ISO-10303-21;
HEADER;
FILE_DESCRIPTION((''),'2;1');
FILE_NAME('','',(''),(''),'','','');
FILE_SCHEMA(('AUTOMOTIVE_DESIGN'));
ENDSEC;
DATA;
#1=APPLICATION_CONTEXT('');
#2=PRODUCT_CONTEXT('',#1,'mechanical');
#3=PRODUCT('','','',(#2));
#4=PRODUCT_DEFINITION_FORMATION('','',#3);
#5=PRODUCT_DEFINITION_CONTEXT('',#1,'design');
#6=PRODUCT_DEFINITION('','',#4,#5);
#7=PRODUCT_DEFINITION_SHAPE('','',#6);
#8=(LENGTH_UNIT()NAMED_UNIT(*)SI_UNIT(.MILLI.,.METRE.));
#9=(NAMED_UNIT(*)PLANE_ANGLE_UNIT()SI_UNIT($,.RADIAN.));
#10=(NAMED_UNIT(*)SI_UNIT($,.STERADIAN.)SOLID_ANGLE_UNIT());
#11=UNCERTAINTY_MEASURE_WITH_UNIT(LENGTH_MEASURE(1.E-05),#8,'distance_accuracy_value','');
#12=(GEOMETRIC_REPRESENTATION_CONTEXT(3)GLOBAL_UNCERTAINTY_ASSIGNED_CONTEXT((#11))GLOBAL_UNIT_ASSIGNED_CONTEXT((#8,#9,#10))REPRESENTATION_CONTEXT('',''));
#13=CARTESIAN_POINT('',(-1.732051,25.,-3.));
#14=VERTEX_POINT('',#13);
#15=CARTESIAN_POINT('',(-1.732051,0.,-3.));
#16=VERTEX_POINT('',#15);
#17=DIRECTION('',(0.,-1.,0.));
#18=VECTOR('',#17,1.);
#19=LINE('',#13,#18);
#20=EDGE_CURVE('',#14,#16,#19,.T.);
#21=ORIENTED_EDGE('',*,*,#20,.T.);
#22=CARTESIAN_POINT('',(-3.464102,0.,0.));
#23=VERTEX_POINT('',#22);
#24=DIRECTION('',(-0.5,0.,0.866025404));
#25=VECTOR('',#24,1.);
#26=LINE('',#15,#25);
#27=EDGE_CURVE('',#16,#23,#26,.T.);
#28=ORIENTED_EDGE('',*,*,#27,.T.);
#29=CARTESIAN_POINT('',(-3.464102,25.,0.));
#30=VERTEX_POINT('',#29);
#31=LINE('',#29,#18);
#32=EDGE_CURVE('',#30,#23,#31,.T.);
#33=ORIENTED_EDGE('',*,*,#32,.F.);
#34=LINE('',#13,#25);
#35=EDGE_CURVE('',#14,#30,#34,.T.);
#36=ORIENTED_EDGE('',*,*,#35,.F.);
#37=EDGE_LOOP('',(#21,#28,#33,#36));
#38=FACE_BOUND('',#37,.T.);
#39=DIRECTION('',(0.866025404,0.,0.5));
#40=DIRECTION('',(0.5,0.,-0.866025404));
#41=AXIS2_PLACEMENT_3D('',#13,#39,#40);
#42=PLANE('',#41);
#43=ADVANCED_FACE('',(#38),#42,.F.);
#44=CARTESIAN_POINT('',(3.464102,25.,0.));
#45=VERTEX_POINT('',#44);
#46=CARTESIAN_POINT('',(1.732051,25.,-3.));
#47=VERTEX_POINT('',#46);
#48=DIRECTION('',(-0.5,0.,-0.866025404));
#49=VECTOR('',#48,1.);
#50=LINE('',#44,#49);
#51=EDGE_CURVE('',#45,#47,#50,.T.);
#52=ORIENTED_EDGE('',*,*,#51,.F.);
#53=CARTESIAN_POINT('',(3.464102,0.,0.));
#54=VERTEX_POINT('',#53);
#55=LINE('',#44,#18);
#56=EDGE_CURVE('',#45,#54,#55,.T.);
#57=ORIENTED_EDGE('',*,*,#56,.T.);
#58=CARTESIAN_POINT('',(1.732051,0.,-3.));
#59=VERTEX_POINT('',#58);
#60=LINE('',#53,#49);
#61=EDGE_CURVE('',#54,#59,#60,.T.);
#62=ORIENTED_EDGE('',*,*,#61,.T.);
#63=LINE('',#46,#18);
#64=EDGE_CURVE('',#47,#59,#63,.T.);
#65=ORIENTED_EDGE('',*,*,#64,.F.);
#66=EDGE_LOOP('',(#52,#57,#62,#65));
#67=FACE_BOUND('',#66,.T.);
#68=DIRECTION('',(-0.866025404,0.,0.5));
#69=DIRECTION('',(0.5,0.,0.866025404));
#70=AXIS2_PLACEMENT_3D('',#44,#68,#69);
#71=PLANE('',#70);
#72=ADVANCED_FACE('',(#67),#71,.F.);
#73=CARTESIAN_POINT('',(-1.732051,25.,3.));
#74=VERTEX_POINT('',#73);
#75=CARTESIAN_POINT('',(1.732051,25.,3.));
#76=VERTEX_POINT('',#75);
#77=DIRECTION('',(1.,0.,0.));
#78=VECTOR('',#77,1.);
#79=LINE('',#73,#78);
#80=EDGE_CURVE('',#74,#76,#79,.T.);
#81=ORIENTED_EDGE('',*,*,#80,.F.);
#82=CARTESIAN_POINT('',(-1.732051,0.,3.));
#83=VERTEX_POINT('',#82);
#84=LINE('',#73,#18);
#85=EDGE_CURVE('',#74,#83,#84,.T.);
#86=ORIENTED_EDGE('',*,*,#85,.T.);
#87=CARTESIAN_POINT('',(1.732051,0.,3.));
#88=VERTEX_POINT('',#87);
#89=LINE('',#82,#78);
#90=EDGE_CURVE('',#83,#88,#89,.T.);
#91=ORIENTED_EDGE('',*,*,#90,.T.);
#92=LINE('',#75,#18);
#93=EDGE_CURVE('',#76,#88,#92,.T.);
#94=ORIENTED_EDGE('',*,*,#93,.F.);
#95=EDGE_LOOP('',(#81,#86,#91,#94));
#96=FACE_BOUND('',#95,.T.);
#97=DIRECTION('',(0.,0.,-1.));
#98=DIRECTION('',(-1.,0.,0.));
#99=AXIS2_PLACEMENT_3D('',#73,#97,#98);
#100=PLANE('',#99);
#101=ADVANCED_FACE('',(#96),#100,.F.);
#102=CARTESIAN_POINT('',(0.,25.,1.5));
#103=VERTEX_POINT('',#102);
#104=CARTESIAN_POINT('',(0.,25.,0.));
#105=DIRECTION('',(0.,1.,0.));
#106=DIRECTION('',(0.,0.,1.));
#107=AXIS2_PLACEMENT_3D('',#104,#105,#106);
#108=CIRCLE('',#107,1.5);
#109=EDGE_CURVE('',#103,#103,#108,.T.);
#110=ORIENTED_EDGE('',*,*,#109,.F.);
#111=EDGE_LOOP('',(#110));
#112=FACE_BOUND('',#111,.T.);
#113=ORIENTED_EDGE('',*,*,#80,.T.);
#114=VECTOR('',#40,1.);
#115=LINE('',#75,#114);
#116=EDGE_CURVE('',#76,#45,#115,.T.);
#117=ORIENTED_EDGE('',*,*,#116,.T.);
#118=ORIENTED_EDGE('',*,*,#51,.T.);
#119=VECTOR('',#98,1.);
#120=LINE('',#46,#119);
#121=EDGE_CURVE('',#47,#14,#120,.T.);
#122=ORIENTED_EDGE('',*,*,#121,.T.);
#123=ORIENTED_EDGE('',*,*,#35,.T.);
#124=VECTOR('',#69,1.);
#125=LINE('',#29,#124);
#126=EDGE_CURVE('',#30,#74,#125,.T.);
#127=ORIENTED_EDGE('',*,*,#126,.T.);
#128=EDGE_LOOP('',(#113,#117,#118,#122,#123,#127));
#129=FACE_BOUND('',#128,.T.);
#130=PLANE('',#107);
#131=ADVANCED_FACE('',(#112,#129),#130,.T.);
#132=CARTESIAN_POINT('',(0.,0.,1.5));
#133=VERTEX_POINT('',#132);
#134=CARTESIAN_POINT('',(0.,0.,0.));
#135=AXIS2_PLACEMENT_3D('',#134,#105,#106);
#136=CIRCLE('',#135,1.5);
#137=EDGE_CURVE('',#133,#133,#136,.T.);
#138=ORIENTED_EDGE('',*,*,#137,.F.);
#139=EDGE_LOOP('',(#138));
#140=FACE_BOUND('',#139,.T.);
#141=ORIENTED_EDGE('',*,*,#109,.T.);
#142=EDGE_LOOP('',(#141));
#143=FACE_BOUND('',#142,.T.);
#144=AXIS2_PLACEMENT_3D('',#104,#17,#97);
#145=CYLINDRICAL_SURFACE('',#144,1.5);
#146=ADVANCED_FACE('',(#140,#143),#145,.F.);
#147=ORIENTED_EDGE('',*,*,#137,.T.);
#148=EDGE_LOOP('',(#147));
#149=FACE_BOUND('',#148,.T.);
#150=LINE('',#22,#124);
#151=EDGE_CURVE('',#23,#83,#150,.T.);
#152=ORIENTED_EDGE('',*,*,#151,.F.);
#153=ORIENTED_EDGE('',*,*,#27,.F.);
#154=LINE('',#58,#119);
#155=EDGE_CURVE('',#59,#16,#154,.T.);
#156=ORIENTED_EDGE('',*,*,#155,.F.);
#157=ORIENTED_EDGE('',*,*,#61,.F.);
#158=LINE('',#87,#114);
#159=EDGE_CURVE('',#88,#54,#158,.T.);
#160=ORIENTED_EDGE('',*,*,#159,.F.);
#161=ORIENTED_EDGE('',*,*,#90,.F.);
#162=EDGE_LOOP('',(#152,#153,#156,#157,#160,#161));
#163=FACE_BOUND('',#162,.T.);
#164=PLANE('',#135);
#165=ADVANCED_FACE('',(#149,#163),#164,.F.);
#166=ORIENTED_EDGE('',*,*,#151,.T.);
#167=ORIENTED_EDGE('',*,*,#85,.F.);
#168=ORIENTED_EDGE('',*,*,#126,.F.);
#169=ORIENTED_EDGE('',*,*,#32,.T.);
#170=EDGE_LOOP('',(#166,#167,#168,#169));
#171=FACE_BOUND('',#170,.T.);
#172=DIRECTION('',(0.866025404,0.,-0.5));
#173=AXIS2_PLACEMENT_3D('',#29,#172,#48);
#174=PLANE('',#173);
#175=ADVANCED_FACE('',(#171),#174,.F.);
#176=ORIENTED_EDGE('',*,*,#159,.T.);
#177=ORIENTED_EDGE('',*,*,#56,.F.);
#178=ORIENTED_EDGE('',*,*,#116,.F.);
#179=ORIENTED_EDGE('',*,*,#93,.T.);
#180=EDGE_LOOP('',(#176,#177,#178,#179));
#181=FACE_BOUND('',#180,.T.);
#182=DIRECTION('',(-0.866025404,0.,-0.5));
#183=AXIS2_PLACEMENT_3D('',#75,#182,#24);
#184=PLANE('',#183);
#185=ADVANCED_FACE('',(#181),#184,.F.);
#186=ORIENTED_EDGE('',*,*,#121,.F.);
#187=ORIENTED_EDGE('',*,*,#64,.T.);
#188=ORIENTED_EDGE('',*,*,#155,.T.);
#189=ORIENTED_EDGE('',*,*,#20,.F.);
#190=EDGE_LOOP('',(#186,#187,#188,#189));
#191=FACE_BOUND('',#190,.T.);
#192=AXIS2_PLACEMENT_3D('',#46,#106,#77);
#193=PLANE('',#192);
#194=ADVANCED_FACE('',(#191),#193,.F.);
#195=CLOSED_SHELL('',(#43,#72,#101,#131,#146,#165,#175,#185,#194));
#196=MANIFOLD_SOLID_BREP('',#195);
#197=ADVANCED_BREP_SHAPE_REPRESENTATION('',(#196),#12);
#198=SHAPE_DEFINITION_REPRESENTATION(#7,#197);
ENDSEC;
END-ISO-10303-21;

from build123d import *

# Parameters (mm, degrees)
SKETCH1_R           = 1.5
BOSS_EXTRUDE1_DEPTH = 25


with BuildPart() as part:
    # Sketch1 → Boss-Extrude1 (new body)
    with BuildSketch(Plane(origin=(0, 0, 0), x_dir=(1, 0, 0), z_dir=(0, 1, 0))):
        Polygon((-1.732050808, 3), (-3.464101615, 0), (-1.732050808, -3), (1.732050808, -3), (3.464101615, 0), (1.732050808, 3), align=None)
        with Locations(Location((0, 0, 0), (0, 0, 270))):
            Circle(SKETCH1_R, mode=Mode.SUBTRACT)
    extrude(amount=BOSS_EXTRUDE1_DEPTH)


solid = part.part
